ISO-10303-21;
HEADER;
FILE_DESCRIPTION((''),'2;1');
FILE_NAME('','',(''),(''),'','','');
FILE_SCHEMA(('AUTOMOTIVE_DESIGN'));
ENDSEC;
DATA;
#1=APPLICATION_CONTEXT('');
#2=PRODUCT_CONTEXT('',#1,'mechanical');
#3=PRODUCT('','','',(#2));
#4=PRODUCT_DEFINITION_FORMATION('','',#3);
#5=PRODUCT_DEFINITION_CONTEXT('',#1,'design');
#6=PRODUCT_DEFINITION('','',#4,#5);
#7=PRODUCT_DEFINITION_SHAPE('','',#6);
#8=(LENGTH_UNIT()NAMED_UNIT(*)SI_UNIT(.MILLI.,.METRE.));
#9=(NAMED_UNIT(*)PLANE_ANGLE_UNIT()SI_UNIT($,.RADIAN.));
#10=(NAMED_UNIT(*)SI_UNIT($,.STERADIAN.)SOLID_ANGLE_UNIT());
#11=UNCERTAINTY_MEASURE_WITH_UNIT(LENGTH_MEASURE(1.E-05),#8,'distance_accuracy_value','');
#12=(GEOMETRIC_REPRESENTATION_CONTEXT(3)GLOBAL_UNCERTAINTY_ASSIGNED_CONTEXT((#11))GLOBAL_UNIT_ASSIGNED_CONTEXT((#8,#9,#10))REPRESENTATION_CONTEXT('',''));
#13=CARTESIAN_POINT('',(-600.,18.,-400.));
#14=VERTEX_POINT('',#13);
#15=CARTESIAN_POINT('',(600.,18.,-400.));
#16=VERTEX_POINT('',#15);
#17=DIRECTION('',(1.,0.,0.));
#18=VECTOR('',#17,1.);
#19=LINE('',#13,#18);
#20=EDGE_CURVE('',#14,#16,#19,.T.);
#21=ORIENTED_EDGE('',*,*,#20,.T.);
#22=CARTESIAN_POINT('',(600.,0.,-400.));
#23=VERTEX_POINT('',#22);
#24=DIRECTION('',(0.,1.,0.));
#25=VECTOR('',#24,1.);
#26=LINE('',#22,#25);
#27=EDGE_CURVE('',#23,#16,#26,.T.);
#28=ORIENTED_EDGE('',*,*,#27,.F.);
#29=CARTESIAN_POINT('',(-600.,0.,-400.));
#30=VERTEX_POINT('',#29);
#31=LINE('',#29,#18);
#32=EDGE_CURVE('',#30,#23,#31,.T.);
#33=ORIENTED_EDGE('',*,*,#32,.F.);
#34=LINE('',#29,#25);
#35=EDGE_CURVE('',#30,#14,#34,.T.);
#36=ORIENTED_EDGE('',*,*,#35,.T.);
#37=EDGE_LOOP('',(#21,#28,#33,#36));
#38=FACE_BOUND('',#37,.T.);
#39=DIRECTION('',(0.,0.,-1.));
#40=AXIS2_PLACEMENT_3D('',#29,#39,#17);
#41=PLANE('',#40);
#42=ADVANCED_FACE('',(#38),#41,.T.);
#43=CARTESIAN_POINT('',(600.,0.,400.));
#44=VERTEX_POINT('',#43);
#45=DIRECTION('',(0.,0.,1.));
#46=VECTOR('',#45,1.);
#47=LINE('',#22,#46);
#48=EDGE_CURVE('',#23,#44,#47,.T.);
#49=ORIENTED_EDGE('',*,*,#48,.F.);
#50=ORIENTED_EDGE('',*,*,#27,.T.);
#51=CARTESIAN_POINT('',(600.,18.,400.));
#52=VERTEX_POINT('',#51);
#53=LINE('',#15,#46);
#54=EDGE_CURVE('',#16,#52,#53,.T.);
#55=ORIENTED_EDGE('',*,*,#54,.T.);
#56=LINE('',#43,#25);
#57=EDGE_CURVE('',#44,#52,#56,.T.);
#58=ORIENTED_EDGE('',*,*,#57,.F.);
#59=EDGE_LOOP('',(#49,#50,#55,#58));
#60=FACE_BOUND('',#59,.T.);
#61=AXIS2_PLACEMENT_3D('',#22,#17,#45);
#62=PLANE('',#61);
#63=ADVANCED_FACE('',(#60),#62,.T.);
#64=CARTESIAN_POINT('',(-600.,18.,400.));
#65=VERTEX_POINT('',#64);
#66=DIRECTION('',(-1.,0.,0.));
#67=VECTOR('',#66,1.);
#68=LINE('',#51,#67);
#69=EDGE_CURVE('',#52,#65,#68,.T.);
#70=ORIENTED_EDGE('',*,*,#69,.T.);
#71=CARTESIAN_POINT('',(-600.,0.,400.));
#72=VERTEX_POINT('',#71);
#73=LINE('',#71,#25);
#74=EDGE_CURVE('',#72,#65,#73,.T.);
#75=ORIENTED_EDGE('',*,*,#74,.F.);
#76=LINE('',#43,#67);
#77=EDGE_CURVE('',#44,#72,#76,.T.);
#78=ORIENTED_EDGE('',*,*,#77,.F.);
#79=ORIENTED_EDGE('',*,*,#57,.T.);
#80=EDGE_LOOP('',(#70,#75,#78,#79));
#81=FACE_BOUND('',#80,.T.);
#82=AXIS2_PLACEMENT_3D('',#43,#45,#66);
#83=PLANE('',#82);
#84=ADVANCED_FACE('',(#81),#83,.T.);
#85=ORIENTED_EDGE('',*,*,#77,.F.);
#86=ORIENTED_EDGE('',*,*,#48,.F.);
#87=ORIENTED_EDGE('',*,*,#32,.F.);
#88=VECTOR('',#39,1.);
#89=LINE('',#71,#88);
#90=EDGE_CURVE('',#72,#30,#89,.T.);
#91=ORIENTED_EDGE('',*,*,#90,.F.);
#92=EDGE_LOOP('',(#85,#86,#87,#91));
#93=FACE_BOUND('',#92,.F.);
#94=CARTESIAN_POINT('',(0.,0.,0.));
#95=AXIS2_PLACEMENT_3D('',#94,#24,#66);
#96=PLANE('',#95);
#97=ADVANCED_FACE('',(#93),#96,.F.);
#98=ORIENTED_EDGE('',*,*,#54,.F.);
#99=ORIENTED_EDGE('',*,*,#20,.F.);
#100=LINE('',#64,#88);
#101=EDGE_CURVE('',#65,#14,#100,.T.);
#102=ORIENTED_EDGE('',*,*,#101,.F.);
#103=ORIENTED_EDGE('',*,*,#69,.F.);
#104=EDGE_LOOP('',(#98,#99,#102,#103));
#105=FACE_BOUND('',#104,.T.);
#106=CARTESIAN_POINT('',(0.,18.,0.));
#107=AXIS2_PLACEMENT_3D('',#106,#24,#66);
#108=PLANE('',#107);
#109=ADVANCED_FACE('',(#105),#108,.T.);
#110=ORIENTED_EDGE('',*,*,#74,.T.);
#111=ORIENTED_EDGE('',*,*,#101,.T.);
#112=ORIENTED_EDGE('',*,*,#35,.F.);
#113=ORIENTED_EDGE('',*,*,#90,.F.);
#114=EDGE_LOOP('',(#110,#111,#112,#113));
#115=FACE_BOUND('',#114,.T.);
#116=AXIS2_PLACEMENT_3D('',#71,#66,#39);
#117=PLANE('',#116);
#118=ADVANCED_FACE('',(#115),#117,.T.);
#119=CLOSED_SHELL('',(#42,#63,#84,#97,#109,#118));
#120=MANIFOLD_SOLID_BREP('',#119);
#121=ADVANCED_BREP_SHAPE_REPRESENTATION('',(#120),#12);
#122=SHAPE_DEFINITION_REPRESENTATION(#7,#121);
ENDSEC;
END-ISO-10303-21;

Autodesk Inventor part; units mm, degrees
ref_plane "YZ Plane" through (0, 0, 0) normal (1, 0, 0) x (0, 1, 0)
ref_plane "XZ Plane" through (0, 0, 0) normal (0, 1, 0) x (-1, 0, 0)
ref_plane "XY Plane" through (0, 0, 0) normal (0, 0, 1) x (1, 0, 0)
sketch "Sketch1" plane through (0, 0, 0) normal (0, 1, 0) x (-1, 0, 0)
  line L0 (600, -400) -> (-600, -400)
  line L1 (-600, -400) -> (-600, 400)
  line L2 (-600, 400) -> (600, 400)
  line L3 (600, 400) -> (600, -400)
  point P0 (0, 0)
  point P1 (0, -400)
  point P2 (-600, 0)
  dimension "d0" = 1200
  dimension "d1" = 800
extrude "Extrusion1" add sketch "Sketch1" along normal blind 18
properties part number "Base Plate"
